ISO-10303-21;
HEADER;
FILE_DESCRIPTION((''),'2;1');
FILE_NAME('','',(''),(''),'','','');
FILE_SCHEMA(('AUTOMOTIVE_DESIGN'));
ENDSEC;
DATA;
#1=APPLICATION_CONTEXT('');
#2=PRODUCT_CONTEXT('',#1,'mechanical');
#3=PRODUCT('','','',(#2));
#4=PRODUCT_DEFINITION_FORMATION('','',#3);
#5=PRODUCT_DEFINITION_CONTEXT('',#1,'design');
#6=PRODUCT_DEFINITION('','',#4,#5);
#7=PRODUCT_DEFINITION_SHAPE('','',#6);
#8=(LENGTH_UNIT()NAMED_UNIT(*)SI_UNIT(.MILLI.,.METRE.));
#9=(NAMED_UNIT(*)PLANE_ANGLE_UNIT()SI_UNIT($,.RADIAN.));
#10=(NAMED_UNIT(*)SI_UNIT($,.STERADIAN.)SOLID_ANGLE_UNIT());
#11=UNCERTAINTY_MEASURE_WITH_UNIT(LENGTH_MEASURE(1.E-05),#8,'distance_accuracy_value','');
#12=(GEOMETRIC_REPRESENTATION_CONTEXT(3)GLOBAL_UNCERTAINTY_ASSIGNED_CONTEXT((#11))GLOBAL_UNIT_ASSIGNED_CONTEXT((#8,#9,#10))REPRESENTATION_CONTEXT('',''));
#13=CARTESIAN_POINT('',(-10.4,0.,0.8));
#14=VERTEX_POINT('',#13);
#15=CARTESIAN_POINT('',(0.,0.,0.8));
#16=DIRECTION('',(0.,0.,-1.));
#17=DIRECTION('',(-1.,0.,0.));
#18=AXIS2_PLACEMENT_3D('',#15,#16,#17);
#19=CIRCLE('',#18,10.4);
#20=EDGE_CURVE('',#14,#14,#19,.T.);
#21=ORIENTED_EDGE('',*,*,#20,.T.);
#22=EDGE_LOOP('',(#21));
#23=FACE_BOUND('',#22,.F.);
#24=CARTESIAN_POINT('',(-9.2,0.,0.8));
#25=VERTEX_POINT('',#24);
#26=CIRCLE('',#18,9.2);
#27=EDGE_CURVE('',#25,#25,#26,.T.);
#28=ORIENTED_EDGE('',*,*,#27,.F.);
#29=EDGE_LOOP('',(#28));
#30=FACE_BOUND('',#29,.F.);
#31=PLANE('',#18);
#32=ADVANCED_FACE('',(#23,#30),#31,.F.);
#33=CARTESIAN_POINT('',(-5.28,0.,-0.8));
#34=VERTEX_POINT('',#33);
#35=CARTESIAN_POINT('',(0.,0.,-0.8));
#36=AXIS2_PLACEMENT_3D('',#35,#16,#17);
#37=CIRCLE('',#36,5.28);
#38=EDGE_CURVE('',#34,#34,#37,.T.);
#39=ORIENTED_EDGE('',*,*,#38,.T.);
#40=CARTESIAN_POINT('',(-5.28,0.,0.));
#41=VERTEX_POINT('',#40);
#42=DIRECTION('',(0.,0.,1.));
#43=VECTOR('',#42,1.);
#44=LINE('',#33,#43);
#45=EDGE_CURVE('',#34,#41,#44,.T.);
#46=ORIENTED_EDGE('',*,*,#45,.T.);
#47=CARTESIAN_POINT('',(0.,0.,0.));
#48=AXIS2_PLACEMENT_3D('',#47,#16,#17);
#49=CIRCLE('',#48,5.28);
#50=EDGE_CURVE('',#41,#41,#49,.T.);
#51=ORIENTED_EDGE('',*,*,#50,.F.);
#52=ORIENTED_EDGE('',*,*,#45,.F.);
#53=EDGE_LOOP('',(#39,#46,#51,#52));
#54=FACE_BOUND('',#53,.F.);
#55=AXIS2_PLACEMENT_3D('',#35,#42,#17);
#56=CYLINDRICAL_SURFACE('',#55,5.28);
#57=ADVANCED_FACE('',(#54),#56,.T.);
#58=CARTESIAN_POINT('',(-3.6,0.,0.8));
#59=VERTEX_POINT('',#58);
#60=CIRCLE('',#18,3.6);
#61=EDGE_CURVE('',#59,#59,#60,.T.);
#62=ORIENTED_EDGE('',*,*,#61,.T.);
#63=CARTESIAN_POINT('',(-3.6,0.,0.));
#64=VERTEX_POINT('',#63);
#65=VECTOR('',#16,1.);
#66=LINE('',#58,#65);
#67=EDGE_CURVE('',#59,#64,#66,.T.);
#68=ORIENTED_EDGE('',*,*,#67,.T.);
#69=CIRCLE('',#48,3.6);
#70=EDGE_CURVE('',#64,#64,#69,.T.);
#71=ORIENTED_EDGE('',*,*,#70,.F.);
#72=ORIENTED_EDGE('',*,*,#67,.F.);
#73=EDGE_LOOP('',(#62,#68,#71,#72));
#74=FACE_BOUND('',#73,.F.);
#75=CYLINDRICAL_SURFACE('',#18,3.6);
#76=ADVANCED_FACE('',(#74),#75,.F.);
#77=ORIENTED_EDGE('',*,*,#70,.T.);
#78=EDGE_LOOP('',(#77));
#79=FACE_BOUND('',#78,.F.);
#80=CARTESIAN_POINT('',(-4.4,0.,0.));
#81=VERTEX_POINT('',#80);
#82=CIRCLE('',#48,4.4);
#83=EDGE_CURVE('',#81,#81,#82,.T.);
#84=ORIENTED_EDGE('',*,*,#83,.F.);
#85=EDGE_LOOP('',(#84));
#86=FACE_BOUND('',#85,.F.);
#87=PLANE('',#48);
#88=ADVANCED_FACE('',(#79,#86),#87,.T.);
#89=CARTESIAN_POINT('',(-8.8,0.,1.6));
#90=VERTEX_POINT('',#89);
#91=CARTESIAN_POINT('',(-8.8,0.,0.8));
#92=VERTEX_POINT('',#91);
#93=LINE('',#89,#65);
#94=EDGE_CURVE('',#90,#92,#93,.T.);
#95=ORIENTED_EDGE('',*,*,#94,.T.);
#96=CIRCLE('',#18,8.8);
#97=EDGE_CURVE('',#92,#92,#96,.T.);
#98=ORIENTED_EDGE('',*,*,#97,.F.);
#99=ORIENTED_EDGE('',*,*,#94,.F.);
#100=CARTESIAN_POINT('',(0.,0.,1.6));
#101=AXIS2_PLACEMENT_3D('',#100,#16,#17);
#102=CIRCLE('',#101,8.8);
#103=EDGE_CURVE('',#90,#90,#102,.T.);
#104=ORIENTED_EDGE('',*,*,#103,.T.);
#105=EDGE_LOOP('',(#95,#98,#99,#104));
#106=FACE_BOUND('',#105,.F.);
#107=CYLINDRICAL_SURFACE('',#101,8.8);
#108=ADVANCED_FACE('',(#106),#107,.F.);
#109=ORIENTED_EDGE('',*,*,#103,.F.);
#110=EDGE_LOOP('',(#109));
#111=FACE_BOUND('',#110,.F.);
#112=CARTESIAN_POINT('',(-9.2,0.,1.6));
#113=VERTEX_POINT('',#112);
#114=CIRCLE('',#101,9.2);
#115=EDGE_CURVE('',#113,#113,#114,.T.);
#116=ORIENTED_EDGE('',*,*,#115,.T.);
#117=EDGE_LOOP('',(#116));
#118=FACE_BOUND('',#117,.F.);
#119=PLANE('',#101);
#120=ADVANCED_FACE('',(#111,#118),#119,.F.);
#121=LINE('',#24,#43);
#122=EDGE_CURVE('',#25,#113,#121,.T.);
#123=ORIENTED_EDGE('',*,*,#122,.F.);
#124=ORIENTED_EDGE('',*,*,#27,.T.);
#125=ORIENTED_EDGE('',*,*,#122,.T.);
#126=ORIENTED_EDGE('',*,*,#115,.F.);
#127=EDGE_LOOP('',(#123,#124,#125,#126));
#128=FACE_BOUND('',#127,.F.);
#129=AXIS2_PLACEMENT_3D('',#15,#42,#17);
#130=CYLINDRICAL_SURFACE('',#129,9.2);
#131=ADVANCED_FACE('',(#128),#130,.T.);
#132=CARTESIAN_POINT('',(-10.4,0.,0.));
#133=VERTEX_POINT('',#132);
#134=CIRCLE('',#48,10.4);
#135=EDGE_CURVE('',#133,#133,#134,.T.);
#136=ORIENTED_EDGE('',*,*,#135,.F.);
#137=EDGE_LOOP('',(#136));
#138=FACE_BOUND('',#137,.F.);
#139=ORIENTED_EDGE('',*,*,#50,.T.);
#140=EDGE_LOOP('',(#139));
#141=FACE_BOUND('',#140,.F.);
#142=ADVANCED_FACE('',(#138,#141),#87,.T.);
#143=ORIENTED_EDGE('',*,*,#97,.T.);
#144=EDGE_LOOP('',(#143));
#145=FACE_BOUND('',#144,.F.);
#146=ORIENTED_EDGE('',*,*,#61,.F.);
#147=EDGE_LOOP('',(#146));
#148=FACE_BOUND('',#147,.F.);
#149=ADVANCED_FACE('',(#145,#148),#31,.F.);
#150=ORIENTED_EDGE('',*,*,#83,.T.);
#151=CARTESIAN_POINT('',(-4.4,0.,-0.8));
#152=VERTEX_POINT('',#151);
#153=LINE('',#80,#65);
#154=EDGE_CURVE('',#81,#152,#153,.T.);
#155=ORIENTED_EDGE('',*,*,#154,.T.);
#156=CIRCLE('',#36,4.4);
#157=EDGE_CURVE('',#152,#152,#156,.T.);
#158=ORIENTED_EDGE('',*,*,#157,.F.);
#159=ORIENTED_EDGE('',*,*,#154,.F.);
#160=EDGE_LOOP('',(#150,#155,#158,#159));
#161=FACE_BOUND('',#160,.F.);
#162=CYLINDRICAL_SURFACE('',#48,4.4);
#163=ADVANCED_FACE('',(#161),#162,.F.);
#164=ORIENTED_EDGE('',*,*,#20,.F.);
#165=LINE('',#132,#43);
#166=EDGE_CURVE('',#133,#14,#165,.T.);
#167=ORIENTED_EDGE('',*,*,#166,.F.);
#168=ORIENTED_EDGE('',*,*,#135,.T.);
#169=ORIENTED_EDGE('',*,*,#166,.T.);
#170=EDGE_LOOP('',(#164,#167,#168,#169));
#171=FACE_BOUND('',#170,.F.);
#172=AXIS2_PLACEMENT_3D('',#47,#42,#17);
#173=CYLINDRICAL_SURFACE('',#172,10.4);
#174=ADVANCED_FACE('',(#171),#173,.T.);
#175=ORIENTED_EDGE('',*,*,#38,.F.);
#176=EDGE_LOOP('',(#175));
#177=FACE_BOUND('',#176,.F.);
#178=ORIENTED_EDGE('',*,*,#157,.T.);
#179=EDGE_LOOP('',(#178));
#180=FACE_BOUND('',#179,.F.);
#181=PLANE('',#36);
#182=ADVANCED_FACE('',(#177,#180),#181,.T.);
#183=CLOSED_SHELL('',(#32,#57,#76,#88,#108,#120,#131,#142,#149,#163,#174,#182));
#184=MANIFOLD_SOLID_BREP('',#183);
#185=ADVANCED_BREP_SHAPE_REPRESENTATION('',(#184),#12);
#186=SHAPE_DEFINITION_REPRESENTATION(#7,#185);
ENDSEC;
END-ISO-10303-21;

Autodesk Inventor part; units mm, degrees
ref_plane "YZ Plane" through (0, 0, 0) normal (1, 0, 0) x (0, 1, 0)
ref_plane "XZ Plane" through (0, 0, 0) normal (0, 1, 0) x (-1, 0, 0)
ref_plane "XY Plane" through (0, 0, 0) normal (0, 0, 1) x (1, 0, 0)
sketch "Sketch2" plane through (0, 0, 0) normal (0, 1, 0) x (-1, 0, 0)
  line L0 (0, 0.8) -> (0, -0.8)
  line L1 (3.6, 0.8) -> (3.6, 0)
  line L2 (3.6, 0) -> (4.4, 0)
  line L3 (4.4, 0) -> (4.4, -0.8)
  line L4 (4.4, -0.8) -> (5.28, -0.8)
  line L5 (5.28, -0.8) -> (5.28, 0)
  line L6 (5.28, 0) -> (10.4, 0)
  line L7 (10.4, 0) -> (10.4, 0.8)
  line L8 (10.4, 0.8) -> (9.2, 0.8)
  line L9 (9.2, 0.8) -> (9.2, 1.6)
  line L10 (9.2, 1.6) -> (8.8, 1.6)
  line L11 (8.8, 1.6) -> (8.8, 0.8)
  line L12 (8.8, 0.8) -> (3.6, 0.8)
  point P0 (0, 0)
  point P1 (0, 0)
  dimension "d0" = 8.8
  dimension "d1" = 10.56
  dimension "d2" = 0.8
  dimension "d3" = 20.8
  dimension "d5" = 0.8
  dimension "d6" = 7.2
  dimension "d7" = 18.4
  dimension "d8" = 17.6
  dimension "d9" = 0.8
revolve "Revolution1" add sketch "Sketch2" angle 360 about axis through (0, 0, 0.8) along (0, 0, -1)
equation "\"d6\" = tlad"
equation "\"tlad\" = 7.2"
properties part number "99542-MilkyWhite" material "ABS Plastic"
